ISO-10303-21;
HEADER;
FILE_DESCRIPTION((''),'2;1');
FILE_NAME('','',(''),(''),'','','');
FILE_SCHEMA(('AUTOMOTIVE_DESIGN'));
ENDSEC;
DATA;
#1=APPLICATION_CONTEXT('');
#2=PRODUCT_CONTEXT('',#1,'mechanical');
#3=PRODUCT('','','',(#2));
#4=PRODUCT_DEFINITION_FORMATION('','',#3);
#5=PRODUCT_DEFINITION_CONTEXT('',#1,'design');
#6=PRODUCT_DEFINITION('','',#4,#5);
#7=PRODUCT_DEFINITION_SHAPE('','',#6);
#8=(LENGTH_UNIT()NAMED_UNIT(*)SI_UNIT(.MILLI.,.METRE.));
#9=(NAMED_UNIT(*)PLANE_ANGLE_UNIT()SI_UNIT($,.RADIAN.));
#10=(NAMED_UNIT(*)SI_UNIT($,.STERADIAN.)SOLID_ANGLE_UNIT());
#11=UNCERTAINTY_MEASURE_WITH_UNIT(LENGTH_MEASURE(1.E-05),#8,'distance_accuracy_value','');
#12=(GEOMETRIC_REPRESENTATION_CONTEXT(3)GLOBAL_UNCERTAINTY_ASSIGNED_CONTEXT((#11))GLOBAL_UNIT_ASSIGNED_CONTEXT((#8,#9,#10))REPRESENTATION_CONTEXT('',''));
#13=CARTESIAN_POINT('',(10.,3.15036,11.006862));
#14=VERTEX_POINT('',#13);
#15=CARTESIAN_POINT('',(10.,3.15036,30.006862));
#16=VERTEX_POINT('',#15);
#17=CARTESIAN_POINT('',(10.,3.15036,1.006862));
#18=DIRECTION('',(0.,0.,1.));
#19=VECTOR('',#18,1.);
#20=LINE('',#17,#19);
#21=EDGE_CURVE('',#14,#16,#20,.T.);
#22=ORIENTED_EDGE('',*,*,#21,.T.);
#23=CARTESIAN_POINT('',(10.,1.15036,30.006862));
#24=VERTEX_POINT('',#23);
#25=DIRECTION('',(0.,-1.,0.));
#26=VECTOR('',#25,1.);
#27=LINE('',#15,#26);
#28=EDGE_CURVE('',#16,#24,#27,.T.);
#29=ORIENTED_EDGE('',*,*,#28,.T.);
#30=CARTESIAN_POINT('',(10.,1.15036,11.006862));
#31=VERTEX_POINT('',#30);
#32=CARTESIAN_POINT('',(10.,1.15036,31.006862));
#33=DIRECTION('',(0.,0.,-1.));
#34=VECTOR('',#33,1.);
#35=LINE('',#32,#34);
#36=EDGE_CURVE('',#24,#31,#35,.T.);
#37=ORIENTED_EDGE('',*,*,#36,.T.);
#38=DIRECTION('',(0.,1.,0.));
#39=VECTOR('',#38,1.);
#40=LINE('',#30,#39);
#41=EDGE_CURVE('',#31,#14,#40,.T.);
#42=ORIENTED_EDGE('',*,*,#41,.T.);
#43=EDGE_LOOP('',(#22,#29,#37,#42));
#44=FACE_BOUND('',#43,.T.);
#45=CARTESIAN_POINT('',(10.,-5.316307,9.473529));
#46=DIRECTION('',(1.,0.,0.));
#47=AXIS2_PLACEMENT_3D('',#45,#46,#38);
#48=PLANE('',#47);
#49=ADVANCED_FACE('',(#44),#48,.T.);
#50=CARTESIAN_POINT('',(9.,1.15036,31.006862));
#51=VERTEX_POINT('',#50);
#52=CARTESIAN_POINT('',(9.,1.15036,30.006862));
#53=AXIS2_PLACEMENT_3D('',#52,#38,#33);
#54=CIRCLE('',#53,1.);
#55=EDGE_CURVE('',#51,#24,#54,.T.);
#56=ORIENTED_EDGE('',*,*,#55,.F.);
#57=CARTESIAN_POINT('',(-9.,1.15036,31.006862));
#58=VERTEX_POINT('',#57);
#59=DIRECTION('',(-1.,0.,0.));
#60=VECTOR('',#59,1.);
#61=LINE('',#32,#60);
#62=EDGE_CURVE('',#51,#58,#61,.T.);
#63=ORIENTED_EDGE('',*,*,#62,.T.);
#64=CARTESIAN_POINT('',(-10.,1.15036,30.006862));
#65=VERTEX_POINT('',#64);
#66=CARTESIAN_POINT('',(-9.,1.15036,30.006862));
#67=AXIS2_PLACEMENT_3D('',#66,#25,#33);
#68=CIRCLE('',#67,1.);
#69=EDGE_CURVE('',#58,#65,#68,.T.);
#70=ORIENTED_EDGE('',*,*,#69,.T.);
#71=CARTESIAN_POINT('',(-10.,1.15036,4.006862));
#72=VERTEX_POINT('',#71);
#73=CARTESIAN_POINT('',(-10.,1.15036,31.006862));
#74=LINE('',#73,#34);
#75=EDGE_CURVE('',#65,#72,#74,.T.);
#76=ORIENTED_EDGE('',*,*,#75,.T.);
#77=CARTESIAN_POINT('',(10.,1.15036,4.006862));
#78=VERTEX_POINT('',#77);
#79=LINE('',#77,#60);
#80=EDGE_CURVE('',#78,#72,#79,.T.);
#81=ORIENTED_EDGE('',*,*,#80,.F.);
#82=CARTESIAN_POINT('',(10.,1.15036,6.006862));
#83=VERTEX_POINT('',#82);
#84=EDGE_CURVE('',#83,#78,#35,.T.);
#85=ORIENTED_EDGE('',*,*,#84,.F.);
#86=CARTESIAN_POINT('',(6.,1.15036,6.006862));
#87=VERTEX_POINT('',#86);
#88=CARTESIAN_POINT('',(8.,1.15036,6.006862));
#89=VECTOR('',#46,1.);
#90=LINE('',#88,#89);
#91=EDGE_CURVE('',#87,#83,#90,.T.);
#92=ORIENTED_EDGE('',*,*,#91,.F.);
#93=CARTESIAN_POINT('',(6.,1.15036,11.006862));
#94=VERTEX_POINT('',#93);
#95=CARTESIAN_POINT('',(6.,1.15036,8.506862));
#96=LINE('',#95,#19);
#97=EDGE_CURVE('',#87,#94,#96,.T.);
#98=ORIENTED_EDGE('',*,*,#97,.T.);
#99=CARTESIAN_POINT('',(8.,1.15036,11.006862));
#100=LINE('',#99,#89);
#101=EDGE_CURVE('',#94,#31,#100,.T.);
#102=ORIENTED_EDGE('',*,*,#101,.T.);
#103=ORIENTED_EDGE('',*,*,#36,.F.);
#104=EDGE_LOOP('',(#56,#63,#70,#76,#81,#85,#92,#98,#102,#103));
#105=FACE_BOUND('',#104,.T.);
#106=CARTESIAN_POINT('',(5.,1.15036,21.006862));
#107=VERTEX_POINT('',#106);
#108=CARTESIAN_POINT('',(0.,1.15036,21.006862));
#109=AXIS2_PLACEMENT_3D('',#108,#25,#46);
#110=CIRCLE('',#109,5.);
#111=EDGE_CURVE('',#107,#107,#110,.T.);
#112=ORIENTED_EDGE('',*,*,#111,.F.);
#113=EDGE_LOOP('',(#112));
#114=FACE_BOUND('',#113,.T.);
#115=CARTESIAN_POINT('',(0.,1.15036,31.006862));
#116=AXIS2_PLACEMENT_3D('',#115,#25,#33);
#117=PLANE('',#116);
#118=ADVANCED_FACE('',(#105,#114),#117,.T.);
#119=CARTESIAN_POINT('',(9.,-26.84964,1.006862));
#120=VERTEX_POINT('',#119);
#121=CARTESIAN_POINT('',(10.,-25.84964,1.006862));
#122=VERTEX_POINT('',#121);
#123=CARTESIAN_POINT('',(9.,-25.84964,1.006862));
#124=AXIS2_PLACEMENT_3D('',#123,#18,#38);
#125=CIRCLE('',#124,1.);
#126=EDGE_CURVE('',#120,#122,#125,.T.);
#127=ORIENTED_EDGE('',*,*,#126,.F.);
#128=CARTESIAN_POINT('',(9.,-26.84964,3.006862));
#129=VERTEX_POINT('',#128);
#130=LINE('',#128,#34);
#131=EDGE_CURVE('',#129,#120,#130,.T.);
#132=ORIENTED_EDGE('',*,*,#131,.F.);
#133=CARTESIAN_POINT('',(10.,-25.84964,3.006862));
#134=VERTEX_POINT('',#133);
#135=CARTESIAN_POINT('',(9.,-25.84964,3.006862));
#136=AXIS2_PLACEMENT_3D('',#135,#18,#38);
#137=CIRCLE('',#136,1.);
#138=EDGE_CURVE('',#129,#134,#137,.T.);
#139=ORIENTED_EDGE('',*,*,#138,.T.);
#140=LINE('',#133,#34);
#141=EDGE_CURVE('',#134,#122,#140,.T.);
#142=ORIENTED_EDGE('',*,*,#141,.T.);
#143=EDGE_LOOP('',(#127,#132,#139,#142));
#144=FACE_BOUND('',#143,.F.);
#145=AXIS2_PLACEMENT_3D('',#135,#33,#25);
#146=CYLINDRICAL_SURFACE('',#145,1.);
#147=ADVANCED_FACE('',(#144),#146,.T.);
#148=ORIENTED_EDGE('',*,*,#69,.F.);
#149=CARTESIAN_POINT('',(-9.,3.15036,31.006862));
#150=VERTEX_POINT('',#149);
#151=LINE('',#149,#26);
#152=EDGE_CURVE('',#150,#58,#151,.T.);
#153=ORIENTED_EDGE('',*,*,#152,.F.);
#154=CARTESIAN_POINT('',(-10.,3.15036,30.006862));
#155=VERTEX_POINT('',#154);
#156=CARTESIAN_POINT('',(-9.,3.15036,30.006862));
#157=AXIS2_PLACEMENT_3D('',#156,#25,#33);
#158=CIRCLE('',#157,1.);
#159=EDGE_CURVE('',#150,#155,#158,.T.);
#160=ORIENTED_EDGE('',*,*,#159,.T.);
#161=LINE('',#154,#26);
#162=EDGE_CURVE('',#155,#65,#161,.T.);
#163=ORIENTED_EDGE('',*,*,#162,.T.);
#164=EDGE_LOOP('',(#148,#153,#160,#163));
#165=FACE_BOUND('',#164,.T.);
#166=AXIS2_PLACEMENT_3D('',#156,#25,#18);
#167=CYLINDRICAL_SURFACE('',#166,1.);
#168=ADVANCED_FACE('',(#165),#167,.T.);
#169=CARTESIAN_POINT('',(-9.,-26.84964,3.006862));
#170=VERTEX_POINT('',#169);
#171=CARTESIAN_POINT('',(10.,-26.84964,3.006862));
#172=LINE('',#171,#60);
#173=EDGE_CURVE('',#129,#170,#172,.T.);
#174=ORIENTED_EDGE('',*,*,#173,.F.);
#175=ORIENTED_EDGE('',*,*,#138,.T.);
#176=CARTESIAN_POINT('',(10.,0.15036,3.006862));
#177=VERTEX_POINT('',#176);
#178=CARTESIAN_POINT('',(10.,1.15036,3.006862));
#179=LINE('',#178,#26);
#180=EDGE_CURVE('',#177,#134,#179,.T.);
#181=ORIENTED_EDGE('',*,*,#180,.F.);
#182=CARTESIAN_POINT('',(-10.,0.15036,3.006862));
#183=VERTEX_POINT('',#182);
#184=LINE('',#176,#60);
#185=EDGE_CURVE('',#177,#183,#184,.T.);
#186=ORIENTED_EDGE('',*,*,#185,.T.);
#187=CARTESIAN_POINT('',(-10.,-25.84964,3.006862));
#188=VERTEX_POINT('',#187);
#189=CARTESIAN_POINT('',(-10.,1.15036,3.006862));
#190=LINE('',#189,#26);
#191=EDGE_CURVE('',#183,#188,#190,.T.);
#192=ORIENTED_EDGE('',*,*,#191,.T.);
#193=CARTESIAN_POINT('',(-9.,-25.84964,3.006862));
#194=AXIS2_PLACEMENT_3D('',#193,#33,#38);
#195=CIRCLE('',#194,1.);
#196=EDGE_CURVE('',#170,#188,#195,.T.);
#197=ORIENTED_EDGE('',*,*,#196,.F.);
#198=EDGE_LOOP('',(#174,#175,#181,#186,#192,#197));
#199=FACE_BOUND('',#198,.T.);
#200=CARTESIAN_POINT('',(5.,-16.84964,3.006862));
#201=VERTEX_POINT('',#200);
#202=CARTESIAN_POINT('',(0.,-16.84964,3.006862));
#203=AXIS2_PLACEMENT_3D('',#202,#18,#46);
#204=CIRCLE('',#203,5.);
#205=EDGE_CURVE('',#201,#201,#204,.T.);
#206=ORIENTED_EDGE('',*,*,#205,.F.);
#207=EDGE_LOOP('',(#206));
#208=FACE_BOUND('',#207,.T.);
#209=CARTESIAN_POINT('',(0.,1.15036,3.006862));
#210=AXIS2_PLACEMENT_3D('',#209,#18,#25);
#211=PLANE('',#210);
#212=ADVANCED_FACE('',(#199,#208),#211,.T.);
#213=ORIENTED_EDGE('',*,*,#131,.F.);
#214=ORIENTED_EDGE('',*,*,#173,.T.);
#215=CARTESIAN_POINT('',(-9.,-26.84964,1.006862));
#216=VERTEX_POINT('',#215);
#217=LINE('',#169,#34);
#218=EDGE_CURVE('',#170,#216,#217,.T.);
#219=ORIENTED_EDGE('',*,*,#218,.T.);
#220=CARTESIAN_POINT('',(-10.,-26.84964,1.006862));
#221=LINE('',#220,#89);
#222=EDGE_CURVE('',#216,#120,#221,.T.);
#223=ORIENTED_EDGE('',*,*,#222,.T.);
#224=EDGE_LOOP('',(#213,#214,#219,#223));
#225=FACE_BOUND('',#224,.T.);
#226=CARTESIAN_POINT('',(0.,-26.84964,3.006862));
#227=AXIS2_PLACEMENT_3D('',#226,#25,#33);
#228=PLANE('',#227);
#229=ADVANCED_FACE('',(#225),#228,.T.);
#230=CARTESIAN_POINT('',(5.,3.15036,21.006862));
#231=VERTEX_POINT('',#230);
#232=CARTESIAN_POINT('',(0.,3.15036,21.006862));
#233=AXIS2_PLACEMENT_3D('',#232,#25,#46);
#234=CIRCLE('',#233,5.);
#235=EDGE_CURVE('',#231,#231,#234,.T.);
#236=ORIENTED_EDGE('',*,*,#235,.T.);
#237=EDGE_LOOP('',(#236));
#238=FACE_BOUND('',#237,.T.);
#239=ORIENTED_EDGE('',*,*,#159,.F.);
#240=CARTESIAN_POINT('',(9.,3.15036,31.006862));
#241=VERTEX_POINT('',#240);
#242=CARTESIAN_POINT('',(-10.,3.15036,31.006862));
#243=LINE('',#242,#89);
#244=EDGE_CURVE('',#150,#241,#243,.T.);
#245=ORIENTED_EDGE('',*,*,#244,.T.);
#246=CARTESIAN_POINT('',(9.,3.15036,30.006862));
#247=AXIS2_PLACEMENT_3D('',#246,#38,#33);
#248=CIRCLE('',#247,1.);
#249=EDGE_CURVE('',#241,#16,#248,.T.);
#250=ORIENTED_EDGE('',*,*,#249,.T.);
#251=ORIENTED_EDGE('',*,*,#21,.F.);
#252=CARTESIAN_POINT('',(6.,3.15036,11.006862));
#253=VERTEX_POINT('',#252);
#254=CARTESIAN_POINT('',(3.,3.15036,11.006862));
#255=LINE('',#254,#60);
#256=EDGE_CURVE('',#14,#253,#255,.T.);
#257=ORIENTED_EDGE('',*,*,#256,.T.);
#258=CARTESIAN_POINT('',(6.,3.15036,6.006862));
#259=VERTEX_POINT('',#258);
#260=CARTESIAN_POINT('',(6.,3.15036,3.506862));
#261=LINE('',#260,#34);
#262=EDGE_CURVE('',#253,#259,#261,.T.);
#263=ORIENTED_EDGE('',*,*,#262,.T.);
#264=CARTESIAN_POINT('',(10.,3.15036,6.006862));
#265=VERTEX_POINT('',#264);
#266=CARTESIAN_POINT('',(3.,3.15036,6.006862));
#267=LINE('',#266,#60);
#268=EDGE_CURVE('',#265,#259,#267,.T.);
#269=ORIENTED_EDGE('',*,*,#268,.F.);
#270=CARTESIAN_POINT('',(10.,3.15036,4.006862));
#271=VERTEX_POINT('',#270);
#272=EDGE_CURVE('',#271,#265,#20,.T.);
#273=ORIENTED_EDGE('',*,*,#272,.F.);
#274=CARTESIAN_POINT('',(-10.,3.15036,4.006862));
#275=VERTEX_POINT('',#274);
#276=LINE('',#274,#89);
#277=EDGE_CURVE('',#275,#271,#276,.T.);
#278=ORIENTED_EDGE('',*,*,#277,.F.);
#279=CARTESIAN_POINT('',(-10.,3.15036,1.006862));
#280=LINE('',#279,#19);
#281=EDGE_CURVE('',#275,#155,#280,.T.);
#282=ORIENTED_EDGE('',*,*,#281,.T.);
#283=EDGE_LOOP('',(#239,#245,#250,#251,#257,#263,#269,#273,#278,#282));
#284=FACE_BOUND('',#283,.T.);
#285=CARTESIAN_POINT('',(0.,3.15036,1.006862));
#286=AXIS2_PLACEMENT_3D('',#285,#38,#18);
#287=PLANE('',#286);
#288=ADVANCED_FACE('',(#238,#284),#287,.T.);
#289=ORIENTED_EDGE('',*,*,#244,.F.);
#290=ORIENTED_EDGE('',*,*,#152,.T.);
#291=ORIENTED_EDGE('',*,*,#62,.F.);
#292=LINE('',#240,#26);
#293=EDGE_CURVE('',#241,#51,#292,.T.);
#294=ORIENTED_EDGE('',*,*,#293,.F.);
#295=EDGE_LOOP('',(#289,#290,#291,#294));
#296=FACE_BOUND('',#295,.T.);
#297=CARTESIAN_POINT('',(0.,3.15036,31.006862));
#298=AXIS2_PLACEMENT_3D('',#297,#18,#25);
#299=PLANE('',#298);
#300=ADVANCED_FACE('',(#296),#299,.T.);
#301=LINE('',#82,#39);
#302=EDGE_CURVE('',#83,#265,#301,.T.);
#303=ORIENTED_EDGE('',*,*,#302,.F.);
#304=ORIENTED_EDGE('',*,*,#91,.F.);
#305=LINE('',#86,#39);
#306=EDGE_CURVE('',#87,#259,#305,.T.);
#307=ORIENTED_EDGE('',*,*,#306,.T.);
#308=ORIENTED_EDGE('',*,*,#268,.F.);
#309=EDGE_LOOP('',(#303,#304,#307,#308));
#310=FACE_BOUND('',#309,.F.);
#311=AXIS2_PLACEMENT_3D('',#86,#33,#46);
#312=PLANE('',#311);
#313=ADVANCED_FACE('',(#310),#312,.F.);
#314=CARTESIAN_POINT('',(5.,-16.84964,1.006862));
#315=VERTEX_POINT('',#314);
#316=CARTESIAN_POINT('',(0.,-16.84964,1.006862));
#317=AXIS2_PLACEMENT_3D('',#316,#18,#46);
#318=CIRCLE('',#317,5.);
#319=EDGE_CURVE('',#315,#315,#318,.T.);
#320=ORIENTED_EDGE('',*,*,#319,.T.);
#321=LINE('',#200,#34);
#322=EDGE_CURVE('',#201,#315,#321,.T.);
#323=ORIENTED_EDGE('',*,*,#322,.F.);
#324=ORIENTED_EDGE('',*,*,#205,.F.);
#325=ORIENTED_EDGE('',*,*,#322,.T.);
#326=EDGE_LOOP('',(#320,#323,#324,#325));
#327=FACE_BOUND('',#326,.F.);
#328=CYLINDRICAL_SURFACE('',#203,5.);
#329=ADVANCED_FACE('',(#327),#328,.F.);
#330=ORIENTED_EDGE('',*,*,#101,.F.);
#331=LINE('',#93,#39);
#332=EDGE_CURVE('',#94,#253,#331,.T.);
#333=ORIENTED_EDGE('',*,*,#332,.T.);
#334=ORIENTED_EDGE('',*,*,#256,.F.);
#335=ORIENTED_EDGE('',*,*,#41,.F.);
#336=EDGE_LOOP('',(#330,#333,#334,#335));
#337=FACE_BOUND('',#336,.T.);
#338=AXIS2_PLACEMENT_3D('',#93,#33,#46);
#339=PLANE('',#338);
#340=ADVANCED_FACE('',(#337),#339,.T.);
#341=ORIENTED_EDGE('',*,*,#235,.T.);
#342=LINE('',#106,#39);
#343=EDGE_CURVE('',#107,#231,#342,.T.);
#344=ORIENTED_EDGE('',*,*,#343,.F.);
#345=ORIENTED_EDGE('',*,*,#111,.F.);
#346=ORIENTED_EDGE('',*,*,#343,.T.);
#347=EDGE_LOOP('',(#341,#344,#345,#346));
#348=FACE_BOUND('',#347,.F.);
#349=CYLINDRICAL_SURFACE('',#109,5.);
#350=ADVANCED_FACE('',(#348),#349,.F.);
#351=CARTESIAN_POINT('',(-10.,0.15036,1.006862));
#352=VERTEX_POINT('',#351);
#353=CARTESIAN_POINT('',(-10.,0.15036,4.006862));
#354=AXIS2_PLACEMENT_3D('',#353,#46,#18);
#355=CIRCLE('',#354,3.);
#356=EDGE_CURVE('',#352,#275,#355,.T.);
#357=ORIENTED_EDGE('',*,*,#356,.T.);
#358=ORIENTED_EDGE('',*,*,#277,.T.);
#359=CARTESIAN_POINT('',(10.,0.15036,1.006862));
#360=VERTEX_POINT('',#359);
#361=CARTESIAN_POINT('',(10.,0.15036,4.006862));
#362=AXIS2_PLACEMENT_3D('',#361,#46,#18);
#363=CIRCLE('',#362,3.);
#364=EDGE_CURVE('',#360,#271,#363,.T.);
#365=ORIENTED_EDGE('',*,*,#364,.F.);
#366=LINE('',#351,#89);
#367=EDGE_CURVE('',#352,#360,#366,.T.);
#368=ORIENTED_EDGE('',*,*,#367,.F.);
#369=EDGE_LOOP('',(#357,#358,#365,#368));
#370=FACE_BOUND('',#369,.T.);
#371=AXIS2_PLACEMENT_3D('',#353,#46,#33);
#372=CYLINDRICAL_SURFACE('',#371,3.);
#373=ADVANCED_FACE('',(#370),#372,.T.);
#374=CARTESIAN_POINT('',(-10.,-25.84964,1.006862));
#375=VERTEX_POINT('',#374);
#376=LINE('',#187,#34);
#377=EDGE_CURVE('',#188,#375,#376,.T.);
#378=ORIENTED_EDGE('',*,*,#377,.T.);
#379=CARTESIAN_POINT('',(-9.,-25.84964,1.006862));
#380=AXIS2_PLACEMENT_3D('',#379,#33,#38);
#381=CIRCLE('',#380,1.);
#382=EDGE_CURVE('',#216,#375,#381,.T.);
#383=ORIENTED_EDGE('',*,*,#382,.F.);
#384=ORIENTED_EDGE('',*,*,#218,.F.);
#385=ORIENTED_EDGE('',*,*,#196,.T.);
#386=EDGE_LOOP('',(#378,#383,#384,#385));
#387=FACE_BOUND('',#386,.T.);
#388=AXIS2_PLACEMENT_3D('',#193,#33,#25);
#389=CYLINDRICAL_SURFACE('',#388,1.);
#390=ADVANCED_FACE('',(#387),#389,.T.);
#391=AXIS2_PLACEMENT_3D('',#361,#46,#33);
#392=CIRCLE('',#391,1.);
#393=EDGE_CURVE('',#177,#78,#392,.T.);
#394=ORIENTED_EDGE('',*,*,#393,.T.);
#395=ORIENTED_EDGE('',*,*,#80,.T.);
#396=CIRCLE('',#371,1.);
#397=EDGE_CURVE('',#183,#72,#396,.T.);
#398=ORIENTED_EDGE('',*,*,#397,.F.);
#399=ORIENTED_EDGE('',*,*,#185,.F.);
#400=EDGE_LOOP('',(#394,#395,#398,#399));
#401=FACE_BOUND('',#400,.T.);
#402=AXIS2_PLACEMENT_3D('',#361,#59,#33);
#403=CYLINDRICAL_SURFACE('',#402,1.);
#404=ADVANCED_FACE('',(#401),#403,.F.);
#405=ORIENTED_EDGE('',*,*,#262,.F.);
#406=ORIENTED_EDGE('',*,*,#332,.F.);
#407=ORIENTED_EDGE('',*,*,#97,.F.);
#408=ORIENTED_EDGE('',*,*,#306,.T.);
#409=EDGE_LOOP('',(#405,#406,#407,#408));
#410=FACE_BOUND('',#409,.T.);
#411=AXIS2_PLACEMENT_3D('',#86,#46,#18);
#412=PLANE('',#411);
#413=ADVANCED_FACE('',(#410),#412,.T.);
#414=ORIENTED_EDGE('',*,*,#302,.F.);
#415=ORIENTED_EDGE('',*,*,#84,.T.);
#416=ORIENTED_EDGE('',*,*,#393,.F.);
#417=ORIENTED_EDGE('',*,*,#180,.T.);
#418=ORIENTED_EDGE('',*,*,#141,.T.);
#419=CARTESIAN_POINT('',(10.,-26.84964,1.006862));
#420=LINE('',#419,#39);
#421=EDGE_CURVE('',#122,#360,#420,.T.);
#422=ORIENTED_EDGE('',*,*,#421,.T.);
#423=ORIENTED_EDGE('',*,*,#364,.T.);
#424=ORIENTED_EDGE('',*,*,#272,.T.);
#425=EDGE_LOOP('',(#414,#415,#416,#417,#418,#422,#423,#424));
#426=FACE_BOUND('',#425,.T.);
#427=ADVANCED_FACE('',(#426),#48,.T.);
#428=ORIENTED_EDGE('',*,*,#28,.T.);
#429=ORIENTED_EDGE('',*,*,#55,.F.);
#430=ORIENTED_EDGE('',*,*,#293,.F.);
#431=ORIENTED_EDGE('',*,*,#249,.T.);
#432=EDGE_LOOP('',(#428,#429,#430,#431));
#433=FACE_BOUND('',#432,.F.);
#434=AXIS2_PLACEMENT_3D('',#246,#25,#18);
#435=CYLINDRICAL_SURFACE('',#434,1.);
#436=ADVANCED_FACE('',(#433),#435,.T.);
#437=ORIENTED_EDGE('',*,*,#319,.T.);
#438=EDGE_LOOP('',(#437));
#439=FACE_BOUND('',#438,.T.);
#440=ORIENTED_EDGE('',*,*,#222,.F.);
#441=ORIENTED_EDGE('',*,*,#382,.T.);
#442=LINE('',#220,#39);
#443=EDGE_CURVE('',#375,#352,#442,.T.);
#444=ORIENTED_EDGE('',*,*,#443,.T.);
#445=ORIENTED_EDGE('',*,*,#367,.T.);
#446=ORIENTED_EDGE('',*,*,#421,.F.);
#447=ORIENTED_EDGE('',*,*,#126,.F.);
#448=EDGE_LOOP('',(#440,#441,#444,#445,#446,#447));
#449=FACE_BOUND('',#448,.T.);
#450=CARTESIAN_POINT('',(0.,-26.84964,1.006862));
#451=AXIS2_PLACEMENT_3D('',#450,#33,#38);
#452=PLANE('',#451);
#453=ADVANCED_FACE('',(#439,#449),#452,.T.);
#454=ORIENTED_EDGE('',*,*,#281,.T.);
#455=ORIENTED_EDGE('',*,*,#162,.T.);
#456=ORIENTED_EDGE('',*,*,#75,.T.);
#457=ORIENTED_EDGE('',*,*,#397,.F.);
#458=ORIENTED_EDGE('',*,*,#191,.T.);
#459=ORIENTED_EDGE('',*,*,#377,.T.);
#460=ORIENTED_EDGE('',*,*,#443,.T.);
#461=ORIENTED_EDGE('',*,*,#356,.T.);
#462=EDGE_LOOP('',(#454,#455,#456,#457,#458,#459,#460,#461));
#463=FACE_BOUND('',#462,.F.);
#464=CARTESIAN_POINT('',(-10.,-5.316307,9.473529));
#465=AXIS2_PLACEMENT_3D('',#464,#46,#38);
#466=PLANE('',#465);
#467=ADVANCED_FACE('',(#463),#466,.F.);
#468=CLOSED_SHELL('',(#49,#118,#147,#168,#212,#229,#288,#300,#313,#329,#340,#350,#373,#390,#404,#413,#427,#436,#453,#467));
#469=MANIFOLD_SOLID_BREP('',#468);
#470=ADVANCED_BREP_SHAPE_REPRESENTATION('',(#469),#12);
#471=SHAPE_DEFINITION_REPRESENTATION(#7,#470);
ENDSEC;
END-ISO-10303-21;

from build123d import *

# Parameters (mm, degrees)
F1_DEPTH = 10
F2_R     = 1
F3_R     = 5
F4_DEPTH = 25
F5_R     = 5
F6_DEPTH = 25
F7_W     = 4
F7_H     = 5
F8_DEPTH = 25
F9_R     = 3


with BuildPart() as f1:
    # F0 (on Right) → F1 (new body, symmetric)
    with BuildSketch(Plane.YZ):
        Polygon((-26.84964, 3.006862), (-26.84964, 1.006862), (3.15036, 1.006862), (3.15036, 31.006862), (1.15036, 31.006862), (1.15036, 3.006862), align=None)
    extrude(amount=F1_DEPTH, both=True)

    # F2
    f2_edges = [f1.edges().sort_by_distance(p)[0] for p in [
        (0, 1.15036, 3.006862),
        (10, 2.15036, 31.006862),
        (-10, 2.15036, 31.006862),
        (10, -26.84964, 2.006862),
        (-10, -26.84964, 2.006862),
    ]]
    fillet(f2_edges, radius=F2_R)

    # F3 (on face) → F4 (cut)
    with BuildSketch(Plane.XY.offset(3.006862)):
        with Locations((0, -16.84964)):
            Circle(F3_R)
    extrude(amount=-F4_DEPTH, mode=Mode.SUBTRACT)

    # F5 (on face) → F6 (cut)
    with BuildSketch(Plane.XZ.offset(-1.15036)):
        with Locations((0, 21.006862)):
            Circle(F5_R)
    extrude(amount=-F6_DEPTH, mode=Mode.SUBTRACT)

    # F7 (on face) → F8 (cut)
    with BuildSketch(Plane.XZ.offset(-1.15036)):
        with Locations((8, 8.506862)):
            Rectangle(F7_W, F7_H)
    extrude(amount=-F8_DEPTH, mode=Mode.SUBTRACT)

    # F9
    f9_edges = [f1.edges().sort_by_distance(p)[0] for p in [
        (0, 3.15036, 1.006862),
    ]]
    fillet(f9_edges, radius=F9_R)


solid = f1.part
